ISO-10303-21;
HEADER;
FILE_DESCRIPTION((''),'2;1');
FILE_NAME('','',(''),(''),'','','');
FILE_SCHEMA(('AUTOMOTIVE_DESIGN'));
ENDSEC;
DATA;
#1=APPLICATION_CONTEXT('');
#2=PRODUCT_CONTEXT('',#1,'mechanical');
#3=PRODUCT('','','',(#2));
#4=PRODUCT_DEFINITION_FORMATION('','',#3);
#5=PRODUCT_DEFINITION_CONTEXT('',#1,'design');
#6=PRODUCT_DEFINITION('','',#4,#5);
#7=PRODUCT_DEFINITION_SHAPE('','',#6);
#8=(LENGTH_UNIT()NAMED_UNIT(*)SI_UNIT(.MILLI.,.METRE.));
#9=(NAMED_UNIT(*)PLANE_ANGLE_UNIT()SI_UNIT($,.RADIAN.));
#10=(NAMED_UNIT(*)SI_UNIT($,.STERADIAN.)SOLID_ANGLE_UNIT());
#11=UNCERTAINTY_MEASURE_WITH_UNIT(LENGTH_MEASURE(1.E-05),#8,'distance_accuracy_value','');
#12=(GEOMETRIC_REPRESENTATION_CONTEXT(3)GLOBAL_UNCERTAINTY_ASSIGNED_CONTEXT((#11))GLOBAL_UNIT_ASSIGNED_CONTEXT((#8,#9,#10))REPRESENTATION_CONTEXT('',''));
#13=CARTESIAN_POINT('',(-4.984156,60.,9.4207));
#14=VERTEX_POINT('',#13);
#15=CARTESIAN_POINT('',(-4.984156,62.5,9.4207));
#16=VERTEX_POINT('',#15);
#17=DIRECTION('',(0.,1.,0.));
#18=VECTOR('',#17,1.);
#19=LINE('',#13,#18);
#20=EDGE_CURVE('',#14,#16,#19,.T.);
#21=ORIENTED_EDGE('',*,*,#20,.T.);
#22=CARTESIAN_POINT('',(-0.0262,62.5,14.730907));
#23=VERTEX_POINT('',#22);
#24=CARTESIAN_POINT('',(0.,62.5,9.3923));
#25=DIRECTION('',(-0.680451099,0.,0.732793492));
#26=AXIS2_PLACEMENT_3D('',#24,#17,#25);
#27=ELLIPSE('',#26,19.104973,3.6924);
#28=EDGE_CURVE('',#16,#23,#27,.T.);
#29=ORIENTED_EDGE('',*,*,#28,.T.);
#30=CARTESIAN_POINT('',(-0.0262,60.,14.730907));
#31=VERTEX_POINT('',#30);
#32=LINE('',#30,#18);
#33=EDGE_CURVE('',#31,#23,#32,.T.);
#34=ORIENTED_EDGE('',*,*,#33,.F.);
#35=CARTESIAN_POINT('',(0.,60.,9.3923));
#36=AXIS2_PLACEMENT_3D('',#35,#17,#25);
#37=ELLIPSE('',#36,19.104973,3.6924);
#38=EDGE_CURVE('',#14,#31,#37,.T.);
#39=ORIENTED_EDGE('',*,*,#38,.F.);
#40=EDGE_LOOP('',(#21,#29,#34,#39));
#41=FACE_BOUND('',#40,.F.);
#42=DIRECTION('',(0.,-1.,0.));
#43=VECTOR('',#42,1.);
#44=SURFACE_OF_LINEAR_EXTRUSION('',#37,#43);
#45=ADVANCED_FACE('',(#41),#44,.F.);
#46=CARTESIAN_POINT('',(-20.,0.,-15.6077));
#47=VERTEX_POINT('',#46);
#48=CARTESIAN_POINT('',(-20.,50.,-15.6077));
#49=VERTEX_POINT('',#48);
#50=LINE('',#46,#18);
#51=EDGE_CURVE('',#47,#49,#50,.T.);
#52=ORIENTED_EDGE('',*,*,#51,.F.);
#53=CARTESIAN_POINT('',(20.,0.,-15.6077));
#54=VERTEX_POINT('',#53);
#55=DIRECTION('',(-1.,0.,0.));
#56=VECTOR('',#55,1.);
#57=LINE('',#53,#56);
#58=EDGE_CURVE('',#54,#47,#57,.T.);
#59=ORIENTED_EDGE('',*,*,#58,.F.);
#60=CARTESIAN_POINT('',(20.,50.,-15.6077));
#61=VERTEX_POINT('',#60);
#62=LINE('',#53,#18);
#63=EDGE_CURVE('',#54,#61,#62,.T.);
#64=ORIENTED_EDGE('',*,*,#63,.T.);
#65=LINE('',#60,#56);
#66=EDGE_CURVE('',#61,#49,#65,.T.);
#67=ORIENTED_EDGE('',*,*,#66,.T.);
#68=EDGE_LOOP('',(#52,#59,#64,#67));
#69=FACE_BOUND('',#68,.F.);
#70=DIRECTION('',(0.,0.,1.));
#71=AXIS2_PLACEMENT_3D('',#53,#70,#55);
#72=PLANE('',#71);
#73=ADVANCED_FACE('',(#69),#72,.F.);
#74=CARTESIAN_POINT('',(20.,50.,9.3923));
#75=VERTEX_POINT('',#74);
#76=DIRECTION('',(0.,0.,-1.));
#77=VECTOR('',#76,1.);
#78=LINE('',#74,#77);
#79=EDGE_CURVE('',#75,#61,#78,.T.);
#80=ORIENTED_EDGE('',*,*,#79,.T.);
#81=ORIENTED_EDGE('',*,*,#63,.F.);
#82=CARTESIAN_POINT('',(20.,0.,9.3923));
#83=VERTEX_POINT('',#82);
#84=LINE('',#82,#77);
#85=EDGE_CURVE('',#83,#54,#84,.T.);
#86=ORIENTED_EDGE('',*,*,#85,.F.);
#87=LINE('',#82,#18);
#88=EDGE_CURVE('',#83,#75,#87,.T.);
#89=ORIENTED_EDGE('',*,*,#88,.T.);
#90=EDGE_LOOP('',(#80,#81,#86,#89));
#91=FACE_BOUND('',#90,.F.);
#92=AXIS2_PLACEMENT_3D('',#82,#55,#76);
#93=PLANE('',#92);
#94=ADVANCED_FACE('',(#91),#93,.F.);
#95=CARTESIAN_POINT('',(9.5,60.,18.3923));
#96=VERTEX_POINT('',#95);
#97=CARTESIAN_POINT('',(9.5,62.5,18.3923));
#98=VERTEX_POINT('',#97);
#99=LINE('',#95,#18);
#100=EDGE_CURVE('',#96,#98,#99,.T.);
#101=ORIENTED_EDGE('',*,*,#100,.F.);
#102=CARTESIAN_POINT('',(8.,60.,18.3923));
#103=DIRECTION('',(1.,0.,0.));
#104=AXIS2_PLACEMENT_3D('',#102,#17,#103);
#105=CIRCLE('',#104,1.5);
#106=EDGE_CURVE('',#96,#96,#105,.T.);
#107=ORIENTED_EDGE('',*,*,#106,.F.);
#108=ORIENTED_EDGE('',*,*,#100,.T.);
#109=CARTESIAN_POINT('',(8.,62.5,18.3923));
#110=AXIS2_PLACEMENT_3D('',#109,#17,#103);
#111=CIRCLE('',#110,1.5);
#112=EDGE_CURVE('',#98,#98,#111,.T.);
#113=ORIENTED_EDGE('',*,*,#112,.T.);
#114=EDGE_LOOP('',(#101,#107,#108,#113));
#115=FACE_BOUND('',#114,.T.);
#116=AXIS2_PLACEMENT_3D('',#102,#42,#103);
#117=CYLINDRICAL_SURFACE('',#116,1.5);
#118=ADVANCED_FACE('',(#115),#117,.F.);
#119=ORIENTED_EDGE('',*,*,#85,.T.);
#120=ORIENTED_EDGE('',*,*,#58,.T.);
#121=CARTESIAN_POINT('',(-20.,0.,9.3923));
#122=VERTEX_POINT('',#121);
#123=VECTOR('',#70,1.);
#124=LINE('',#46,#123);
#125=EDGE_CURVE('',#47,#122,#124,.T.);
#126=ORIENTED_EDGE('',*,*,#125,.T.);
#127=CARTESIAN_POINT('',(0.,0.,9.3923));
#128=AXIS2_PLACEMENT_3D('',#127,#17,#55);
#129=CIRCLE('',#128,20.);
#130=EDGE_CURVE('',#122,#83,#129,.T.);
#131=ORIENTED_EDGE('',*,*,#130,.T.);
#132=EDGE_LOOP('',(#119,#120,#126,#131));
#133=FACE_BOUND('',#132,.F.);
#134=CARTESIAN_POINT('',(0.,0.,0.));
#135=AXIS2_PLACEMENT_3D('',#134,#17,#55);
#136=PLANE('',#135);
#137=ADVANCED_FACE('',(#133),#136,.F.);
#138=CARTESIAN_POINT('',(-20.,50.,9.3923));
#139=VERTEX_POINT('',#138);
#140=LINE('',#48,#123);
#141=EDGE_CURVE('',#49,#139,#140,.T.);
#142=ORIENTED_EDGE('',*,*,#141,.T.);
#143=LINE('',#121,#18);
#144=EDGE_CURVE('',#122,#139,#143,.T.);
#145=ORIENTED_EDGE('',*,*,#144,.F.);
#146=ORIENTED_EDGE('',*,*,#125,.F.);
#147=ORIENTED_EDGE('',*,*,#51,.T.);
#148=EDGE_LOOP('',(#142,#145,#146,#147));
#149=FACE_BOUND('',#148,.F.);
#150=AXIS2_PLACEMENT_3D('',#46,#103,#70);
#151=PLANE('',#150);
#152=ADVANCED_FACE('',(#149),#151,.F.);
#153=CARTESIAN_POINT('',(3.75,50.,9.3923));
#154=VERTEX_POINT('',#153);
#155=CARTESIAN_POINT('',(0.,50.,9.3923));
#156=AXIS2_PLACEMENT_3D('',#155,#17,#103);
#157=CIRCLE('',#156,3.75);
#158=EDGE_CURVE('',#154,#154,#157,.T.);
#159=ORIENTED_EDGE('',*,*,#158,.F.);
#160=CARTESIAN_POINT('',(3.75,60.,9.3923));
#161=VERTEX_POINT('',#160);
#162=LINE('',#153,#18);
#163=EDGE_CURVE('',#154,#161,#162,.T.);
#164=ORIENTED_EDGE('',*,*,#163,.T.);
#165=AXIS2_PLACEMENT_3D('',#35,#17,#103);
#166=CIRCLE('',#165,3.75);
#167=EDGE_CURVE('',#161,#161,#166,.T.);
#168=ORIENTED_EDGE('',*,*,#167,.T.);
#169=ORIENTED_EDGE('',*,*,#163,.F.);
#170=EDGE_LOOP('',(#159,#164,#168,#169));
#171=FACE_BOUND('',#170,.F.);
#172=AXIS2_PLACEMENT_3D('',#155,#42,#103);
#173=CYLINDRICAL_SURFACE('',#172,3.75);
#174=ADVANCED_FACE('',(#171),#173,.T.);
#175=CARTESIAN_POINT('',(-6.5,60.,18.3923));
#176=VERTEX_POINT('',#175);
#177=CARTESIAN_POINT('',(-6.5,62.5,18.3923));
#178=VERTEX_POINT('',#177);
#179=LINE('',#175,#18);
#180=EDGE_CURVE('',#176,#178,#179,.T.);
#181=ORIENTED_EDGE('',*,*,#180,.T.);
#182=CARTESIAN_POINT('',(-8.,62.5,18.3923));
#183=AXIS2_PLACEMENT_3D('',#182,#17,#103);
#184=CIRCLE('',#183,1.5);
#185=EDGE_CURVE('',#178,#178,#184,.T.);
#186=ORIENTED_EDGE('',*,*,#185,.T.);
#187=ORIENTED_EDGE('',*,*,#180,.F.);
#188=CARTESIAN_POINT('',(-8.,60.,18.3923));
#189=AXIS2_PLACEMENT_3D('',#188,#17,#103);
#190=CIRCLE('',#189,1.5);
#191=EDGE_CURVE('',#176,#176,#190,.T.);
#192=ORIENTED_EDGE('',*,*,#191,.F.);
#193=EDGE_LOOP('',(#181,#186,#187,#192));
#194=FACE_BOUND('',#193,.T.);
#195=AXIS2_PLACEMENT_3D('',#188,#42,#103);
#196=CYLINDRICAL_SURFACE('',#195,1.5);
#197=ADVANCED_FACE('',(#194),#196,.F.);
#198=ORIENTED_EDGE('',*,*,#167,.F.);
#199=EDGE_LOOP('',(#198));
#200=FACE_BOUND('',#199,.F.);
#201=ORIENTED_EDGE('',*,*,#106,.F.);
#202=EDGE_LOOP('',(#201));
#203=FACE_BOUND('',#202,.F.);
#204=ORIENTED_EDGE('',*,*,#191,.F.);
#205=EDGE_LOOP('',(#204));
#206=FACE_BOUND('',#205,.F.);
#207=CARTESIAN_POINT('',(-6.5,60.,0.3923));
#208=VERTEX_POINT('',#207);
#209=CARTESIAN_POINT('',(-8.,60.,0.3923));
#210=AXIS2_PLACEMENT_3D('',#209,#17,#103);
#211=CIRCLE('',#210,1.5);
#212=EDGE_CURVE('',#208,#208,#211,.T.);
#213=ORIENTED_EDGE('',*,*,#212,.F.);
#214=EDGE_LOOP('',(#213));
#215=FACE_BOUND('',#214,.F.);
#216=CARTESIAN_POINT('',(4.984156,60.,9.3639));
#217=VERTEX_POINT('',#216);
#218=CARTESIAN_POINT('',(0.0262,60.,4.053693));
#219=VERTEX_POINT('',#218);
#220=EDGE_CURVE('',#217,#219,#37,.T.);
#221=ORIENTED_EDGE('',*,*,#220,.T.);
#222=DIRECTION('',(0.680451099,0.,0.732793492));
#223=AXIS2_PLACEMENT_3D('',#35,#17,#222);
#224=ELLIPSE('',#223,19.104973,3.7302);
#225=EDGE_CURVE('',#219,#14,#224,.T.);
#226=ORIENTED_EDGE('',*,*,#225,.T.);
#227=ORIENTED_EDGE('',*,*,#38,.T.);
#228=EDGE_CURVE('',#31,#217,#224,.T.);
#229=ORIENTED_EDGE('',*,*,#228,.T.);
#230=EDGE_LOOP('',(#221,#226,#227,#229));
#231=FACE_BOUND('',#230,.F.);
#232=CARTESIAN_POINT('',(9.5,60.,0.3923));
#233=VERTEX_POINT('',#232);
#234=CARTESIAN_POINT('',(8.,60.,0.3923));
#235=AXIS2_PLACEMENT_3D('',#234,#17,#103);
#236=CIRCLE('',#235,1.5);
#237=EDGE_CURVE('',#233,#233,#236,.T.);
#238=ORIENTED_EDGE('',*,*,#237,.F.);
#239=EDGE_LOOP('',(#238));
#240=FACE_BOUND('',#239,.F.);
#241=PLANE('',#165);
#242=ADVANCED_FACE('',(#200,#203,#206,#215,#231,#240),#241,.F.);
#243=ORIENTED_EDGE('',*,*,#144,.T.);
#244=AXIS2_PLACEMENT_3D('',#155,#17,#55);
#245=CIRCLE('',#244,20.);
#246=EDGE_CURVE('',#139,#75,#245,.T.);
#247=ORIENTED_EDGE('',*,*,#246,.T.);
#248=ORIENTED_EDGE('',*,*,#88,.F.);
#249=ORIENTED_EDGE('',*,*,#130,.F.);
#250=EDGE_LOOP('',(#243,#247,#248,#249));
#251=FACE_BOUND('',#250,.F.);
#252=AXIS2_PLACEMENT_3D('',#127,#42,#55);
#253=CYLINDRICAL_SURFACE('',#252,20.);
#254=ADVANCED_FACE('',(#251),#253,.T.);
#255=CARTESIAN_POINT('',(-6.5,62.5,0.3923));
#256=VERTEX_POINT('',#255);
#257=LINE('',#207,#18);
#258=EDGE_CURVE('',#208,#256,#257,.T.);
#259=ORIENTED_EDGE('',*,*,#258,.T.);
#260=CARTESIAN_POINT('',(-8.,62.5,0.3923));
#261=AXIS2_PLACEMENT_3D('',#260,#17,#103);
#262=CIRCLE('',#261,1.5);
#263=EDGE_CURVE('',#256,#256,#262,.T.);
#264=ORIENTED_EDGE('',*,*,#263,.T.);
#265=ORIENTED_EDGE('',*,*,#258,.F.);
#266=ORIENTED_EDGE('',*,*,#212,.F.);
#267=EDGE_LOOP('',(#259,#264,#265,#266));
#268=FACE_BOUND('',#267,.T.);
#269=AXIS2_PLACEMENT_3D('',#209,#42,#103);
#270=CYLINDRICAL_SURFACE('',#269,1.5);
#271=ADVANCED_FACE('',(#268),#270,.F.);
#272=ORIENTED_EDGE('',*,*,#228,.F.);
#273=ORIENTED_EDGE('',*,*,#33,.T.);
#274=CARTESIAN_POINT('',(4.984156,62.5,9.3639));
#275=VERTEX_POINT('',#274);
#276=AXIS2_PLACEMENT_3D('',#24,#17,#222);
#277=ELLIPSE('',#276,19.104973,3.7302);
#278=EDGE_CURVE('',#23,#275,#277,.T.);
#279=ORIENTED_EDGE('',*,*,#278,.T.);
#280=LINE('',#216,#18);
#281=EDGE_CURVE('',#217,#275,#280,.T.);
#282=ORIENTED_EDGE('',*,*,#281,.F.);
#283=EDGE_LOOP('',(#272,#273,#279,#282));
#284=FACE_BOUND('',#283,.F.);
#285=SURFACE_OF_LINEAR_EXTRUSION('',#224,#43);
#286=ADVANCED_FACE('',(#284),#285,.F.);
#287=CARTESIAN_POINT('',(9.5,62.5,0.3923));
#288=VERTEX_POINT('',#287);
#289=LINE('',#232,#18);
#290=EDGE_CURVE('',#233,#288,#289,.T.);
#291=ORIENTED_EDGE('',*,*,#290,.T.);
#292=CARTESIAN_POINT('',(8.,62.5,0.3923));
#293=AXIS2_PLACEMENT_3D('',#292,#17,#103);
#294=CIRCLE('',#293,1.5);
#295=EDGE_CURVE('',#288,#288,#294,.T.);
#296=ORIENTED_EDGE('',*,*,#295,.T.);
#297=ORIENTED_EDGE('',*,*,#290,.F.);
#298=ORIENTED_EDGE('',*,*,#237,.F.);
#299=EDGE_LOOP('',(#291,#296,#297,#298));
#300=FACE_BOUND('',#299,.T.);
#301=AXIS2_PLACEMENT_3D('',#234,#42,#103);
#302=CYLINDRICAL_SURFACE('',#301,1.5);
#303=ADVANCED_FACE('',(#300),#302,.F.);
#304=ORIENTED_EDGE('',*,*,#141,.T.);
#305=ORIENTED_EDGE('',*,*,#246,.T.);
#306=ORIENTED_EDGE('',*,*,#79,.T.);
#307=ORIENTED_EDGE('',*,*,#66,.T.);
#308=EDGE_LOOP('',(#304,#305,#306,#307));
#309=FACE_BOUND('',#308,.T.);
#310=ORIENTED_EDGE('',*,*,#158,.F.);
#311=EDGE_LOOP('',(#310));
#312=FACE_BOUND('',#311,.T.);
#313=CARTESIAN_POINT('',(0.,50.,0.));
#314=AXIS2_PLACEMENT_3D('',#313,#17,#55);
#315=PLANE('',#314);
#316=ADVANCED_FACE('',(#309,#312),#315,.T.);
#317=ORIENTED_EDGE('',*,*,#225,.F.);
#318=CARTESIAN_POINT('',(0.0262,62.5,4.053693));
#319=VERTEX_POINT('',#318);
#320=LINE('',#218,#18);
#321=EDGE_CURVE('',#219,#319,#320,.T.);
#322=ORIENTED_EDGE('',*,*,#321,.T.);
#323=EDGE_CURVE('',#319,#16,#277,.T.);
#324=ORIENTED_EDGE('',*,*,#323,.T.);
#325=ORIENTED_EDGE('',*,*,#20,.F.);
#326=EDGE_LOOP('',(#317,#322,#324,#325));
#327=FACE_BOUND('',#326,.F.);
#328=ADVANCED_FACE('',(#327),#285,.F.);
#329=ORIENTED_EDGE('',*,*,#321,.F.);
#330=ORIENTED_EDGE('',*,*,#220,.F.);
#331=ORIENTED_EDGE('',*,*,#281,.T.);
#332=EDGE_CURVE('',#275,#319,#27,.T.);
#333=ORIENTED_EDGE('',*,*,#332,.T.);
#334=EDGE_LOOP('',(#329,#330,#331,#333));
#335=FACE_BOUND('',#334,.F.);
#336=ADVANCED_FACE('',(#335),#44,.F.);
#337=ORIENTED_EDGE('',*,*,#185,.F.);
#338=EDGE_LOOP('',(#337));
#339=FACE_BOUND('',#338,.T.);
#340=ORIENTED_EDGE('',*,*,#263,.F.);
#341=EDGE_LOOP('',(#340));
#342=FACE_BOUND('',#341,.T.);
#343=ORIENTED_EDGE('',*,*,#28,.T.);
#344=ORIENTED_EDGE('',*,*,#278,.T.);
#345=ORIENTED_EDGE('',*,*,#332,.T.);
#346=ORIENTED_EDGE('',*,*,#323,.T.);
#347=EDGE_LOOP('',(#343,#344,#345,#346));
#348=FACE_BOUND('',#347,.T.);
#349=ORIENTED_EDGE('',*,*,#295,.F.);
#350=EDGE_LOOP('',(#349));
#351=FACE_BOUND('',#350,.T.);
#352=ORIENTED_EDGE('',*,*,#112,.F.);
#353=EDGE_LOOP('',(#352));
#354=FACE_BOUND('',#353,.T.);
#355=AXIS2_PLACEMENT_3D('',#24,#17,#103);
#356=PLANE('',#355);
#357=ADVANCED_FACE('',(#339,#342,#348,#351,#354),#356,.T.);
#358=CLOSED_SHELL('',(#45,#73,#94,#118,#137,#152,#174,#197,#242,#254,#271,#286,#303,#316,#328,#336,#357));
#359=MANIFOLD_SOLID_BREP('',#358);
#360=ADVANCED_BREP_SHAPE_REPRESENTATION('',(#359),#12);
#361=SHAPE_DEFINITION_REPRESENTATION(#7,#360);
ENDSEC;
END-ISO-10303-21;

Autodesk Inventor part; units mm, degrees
ref_plane "YZ Plane" through (0, 0, 0) normal (1, 0, 0) x (0, 1, 0)
ref_plane "XZ Plane" through (0, 0, 0) normal (0, 1, 0) x (-1, 0, 0)
ref_plane "XY Plane" through (0, 0, 0) normal (0, 0, 1) x (1, 0, 0)
sketch "Sketch1" plane through (0, 0, 0) normal (0, 1, 0) x (-1, 0, 0)
  arc A0 (20, 9.3923) -> (-20, 9.3923) centre (0, 9.3923) ccw
  line L0 (-20, -15.6077) -> (20, -15.6077)
  line L1 (20, -15.6077) -> (20, 9.3923)
  line L2 (-20, 9.3923) -> (-20, -15.6077)
  point P0 (0, 0)
  dimension "d0" = 40
extrude "Extrusion1" add sketch "Sketch1" along normal blind 50
sketch "Sketch2" plane through (0, 50, 0) normal (0, 1, 0) x (1, 0, 0)
  arc A0 (-20, -9.3923) -> (20, -9.3923) centre (0, -9.3923) ccw projected
  circle A1 centre (0, -9.3923) radius 3.75
  point P0 (0, 0)
  dimension "d4" = 7.5
extrude "Extrusion2" add sketch "Sketch2" along normal blind 10
sketch "Sketch3" plane through (0, 60, 9.3923) normal (0, 1, 0) x (1, 0, 0)
  circle A0 centre (0, 0) radius 3.75 projected
  ellipse E0 centre (0, 0) end of major axis (-13, -14) minor radius 3.6924 (-2.25, 3) -> (-3.1582, 2.0219) ccw
  ellipse E1 centre (0, 0) end of major axis (13, -14) minor radius 3.7302 (-3, -2.25) -> (-2.4658, -2.8253) ccw
  ellipse E2 centre (0, 0) end of major axis (-13, -14) minor radius 3.6924 (-4.9841, -0.0284) -> (-0.0262, -5.3386) ccw
  ellipse E3 centre (0, 0) end of major axis (-13, -14) minor radius 3.6924 (2.25, -3) -> (3.1582, -2.0219) ccw
  ellipse E4 centre (0, 0) end of major axis (-13, -14) minor radius 3.6924 (4.9841, 0.0284) -> (0.0262, 5.3386) ccw
  ellipse E5 centre (0, 0) end of major axis (13, -14) minor radius 3.7302 (-0.0262, -5.3386) -> (4.9841, 0.0284) ccw
  ellipse E6 centre (0, 0) end of major axis (13, -14) minor radius 3.7302 (3, 2.25) -> (2.4658, 2.8253) ccw
  ellipse E7 centre (0, 0) end of major axis (13, -14) minor radius 3.7302 (0.0262, 5.3386) -> (-4.9841, -0.0284) ccw
  line L0 (8, 9) -> (-8, -9) construction
  line L1 (-8, 9) -> (8, -9) construction
  circle A1 centre (-8, 9) radius 1.5
  circle A2 centre (8, 9) radius 1.5
  circle A3 centre (8, -9) radius 1.5
  circle A4 centre (-8, -9) radius 1.5
  point P0 (0, 9.3923)
  dimension "d7" = 3
  dimension "d8" = 3
  dimension "d9" = 3
  dimension "d10" = 3
extrude "Extrusion3" add sketch "Sketch3" along normal blind 2.5
sketch "Sketch4" plane through (0, 60, 9.3923) normal (0, 1, 0) x (1, 0, 0)
  circle A0 centre (0, 0) radius 3.75 projected
  point P0 (0, 9.3923)
extrude "Extrusion4" add sketch "Sketch4" along normal blind 2.5
properties part number "servo" material "Aluminum 6061, Welded"
